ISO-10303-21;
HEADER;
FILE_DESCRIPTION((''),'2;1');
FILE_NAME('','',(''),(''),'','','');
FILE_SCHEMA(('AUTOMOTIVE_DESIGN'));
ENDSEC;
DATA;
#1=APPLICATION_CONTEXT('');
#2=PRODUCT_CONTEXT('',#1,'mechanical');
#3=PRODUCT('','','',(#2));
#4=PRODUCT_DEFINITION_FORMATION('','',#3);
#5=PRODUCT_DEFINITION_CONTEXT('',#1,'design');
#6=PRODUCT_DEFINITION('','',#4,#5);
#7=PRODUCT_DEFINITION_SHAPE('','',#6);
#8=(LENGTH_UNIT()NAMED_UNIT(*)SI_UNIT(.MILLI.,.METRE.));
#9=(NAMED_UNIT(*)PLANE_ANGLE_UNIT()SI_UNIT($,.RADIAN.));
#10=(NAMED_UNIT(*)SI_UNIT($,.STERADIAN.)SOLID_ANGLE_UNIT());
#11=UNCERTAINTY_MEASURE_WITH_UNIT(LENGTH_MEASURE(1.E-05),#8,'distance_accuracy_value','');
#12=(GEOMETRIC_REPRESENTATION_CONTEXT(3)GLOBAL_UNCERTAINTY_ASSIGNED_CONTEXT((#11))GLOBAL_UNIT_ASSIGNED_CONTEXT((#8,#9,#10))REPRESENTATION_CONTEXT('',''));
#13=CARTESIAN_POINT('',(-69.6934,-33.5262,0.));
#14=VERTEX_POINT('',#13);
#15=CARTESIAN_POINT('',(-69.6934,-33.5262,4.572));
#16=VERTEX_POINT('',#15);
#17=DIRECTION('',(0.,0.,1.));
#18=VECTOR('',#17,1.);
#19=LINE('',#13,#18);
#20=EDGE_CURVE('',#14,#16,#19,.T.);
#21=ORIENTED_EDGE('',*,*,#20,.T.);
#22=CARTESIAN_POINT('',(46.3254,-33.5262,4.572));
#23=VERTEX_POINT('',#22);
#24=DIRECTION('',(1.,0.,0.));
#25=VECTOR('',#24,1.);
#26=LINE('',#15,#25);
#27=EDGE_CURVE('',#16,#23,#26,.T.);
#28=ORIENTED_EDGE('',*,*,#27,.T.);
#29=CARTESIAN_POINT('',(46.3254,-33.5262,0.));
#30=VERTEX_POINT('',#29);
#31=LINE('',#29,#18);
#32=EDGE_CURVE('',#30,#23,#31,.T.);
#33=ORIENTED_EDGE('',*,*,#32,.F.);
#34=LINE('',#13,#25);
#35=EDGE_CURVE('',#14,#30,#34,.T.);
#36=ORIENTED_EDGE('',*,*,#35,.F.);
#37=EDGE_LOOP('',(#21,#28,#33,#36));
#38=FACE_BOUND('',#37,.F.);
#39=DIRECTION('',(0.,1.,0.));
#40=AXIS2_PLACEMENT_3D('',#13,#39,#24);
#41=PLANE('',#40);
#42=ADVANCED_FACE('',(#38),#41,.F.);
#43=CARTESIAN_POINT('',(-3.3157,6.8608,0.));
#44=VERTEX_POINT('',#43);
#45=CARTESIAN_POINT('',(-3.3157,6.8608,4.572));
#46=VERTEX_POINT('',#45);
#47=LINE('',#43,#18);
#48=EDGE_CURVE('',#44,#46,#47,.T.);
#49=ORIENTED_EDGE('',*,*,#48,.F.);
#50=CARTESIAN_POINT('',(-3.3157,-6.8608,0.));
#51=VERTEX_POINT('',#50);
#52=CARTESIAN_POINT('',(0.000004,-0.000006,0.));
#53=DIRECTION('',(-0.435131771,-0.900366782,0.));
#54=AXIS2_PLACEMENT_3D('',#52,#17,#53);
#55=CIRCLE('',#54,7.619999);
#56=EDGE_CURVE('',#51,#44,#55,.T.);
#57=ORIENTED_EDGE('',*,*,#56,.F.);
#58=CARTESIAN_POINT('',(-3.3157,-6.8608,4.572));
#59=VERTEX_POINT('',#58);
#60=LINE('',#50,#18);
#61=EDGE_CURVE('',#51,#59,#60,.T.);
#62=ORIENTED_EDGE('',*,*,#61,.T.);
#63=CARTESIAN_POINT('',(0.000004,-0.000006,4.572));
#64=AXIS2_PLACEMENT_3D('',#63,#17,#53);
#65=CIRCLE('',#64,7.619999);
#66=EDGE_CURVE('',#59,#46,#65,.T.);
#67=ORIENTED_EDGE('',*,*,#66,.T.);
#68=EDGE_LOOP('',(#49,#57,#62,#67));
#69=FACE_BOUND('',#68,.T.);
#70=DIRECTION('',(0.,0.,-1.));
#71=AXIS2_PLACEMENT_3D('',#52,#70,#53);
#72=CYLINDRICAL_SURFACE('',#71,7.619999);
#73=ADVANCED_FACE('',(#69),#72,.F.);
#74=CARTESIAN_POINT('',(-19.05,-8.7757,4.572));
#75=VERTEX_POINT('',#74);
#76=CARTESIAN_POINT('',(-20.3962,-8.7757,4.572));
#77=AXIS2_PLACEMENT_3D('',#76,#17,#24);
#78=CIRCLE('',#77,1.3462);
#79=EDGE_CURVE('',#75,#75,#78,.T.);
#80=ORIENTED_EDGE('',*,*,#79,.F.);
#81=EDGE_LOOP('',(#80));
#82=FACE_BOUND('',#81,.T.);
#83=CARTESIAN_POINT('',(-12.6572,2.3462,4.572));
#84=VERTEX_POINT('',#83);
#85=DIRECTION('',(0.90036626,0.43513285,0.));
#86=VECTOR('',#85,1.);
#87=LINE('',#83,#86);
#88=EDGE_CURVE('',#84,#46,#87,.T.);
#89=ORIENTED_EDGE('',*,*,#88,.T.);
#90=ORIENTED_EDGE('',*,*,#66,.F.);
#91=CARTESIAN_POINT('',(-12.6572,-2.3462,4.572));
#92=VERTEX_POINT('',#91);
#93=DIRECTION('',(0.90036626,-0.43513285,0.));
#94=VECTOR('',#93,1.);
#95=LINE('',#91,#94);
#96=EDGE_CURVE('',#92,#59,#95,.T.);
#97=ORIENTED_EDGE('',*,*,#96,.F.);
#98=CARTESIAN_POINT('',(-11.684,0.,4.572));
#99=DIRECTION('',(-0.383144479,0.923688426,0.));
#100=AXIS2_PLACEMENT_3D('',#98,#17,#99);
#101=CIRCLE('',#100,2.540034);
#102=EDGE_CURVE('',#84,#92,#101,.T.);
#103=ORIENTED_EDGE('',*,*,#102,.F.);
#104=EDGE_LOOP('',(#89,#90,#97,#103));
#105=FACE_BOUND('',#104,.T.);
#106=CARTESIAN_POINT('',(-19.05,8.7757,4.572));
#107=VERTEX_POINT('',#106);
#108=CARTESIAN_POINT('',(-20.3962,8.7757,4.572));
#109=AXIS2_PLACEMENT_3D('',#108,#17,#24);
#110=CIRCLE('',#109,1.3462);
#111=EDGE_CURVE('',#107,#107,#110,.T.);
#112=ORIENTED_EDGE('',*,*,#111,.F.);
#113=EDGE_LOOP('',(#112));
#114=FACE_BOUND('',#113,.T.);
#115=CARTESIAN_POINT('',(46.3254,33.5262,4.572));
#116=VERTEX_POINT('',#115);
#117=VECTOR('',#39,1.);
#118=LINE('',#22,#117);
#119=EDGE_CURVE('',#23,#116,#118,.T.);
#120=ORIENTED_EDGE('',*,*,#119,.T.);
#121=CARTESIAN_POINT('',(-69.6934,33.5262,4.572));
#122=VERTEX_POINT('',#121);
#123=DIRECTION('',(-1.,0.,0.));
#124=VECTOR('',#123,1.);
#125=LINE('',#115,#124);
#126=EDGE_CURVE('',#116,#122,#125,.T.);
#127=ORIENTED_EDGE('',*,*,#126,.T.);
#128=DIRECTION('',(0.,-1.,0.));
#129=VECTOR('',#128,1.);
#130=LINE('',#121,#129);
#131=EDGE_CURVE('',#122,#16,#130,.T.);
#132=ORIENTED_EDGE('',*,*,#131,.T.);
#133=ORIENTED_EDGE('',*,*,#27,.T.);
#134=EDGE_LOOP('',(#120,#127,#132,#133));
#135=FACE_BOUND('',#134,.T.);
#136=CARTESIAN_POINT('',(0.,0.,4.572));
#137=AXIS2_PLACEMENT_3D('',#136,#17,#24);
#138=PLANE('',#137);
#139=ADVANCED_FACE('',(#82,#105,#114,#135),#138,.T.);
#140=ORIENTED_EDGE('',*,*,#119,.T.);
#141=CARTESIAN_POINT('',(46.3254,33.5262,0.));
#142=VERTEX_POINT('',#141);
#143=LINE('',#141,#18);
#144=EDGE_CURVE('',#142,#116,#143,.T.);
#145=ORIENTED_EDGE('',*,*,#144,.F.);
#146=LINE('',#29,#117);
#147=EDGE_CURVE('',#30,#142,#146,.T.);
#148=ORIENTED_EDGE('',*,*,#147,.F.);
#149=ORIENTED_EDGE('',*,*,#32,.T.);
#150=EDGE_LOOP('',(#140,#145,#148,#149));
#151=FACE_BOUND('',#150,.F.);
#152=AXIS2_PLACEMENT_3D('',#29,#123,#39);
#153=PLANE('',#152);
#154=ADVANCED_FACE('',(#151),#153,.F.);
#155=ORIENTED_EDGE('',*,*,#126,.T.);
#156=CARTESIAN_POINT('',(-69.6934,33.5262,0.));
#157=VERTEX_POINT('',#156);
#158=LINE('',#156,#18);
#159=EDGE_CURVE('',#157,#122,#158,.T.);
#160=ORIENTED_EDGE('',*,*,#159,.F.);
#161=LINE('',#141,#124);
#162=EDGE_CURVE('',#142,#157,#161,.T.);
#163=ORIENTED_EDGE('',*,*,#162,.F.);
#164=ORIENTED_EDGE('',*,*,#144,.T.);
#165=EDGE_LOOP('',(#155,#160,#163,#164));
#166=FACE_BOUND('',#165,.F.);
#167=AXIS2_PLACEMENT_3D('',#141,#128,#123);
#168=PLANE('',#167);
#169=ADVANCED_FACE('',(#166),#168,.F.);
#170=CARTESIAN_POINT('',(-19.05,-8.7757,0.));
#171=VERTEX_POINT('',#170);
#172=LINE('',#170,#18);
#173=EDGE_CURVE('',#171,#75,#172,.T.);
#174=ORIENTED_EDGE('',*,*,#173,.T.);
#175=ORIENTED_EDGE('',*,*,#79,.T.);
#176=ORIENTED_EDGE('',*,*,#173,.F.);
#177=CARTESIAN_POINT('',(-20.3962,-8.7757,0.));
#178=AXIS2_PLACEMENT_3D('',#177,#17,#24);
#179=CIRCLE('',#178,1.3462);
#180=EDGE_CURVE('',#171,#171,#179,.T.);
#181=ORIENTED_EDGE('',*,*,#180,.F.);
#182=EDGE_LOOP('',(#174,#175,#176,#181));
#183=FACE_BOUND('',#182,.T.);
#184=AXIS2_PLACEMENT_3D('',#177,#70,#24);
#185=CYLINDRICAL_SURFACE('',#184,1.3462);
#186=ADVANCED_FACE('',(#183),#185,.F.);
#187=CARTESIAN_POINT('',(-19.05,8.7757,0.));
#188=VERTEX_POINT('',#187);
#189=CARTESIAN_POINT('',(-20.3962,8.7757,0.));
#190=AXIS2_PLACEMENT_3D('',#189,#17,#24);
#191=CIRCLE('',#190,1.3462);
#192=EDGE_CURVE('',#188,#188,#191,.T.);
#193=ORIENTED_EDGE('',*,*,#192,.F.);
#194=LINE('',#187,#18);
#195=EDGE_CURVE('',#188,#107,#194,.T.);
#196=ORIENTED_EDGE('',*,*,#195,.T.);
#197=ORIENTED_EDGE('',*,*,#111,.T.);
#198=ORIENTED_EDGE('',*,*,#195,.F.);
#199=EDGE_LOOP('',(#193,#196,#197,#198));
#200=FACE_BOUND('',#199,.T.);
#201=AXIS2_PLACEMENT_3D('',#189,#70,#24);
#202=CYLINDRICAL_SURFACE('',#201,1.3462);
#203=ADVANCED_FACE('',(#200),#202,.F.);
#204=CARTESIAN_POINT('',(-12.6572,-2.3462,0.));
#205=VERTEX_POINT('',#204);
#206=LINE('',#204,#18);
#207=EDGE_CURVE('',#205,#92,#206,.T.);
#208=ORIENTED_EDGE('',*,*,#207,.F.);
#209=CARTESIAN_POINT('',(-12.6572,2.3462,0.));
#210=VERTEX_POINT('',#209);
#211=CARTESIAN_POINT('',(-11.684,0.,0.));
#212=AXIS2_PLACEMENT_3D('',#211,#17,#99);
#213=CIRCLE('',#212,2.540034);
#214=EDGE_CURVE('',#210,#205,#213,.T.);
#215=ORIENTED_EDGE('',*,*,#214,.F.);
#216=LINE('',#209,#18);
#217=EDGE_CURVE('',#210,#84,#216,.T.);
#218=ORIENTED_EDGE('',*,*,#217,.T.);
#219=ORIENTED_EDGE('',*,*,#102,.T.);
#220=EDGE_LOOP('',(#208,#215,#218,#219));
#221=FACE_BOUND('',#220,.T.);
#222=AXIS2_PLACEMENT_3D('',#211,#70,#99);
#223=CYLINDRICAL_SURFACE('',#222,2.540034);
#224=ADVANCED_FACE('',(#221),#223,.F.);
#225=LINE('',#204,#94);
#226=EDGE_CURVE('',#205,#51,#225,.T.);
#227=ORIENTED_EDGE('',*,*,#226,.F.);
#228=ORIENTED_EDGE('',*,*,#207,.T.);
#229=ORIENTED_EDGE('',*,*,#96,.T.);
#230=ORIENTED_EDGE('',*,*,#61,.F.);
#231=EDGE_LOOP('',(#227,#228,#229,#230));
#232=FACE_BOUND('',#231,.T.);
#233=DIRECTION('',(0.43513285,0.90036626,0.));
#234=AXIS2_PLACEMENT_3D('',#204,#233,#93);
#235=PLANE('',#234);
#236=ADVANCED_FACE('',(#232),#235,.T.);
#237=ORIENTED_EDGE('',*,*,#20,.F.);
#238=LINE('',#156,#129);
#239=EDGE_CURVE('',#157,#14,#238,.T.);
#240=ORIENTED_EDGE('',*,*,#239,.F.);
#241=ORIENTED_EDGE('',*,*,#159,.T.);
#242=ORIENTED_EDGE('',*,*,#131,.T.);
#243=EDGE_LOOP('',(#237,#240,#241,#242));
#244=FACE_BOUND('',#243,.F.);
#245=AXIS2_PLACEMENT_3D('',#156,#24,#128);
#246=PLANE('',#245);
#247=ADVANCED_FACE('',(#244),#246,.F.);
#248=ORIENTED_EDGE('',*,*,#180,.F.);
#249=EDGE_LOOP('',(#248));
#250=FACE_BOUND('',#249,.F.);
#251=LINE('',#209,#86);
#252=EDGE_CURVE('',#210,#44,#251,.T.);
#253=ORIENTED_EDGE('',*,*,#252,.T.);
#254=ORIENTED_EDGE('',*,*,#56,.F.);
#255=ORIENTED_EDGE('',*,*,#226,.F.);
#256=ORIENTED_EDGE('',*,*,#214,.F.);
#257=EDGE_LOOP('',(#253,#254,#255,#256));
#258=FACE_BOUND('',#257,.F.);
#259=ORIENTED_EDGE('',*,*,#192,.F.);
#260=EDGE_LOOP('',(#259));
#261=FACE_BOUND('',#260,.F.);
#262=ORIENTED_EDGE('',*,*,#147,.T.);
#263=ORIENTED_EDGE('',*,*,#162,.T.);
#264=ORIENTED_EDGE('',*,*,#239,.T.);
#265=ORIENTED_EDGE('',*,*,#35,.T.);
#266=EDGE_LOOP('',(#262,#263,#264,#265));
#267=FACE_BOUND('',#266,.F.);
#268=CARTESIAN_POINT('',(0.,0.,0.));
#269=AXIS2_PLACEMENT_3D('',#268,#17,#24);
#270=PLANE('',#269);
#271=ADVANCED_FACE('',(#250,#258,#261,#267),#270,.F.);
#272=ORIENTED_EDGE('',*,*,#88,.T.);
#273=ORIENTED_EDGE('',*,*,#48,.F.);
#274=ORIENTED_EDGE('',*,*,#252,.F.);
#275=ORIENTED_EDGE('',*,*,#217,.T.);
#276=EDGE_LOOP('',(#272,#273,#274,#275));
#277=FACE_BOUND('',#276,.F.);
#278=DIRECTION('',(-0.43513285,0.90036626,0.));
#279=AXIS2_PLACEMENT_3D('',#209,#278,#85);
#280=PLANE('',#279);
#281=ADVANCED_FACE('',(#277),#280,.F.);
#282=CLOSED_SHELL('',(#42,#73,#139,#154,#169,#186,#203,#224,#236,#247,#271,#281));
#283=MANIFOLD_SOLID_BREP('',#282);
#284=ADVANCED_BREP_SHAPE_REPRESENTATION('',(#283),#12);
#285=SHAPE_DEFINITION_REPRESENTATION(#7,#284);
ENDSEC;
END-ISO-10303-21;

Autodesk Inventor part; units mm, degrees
ref_plane "YZ Plane" through (0, 0, 0) normal (1, 0, 0) x (0, 1, 0)
ref_plane "XZ Plane" through (0, 0, 0) normal (0, 1, 0) x (-1, 0, 0)
ref_plane "XY Plane" through (0, 0, 0) normal (0, 0, 1) x (1, 0, 0)
sketch "Sketch1" plane through (0, 0, 0) normal (0, 0, 1) x (1, 0, 0)
  circle A0 centre (0, 0) radius 6.35 construction
  line L0 (0, 6.35) -> (-19.05, 6.35) construction
  circle A1 centre (-11.684, 0) radius 1.905 construction
  line L1 (-11.684, 0) -> (-19.05, 0) construction
  line L2 (-19.05, 0) -> (-20.3962, 0) construction
  line L3 (-20.3962, 0) -> (-20.3962, 7.4295) construction
  line L4 (-20.3962, 0) -> (-20.3962, -7.4295) construction
  line L5 (-20.3962, 7.4295) -> (-20.3962, 8.7757) construction
  circle A2 centre (-20.3962, 8.7757) radius 1.3462
  line L6 (-20.3962, -7.4295) -> (-20.3962, -8.7757) construction
  circle A3 centre (-20.3962, -8.7757) radius 1.3462
  arc A4 (-3.3157, -6.8608) -> (-4.2121, 6.35) centre (0, 0) ccw
  arc A5 (-12.6572, 2.3462) -> (-12.6572, -2.3462) centre (-11.684, 0) ccw
  line L7 (-12.6572, 2.3462) -> (-3.3157, 6.8608)
  line L8 (-12.6572, -2.3462) -> (-3.3157, -6.8608)
  line L9 (-69.6934, -33.5262) -> (46.3254, -33.5262)
  line L10 (46.3254, -33.5262) -> (46.3254, 33.5262)
  line L11 (46.3254, 33.5262) -> (-69.6934, 33.5262)
  line L12 (-69.6934, 33.5262) -> (-69.6934, -33.5262)
  dimension "d7" = 12.7
  dimension "d8" = 19.05
  dimension "d11" = 3.429
  dimension "d12" = 3.81
  dimension "d13" = 1.3462
  dimension "d14" = 7.4295
  dimension "d15" = 7.4295
  dimension "d16" = 1.3462
  dimension "d17" = 1.3462
  dimension "d18" = 15.24
  dimension "d19" = 5.08
extrude "Extrusion1" add sketch "Sketch1" along normal blind 4.572
properties part number "MOTORTOP"
